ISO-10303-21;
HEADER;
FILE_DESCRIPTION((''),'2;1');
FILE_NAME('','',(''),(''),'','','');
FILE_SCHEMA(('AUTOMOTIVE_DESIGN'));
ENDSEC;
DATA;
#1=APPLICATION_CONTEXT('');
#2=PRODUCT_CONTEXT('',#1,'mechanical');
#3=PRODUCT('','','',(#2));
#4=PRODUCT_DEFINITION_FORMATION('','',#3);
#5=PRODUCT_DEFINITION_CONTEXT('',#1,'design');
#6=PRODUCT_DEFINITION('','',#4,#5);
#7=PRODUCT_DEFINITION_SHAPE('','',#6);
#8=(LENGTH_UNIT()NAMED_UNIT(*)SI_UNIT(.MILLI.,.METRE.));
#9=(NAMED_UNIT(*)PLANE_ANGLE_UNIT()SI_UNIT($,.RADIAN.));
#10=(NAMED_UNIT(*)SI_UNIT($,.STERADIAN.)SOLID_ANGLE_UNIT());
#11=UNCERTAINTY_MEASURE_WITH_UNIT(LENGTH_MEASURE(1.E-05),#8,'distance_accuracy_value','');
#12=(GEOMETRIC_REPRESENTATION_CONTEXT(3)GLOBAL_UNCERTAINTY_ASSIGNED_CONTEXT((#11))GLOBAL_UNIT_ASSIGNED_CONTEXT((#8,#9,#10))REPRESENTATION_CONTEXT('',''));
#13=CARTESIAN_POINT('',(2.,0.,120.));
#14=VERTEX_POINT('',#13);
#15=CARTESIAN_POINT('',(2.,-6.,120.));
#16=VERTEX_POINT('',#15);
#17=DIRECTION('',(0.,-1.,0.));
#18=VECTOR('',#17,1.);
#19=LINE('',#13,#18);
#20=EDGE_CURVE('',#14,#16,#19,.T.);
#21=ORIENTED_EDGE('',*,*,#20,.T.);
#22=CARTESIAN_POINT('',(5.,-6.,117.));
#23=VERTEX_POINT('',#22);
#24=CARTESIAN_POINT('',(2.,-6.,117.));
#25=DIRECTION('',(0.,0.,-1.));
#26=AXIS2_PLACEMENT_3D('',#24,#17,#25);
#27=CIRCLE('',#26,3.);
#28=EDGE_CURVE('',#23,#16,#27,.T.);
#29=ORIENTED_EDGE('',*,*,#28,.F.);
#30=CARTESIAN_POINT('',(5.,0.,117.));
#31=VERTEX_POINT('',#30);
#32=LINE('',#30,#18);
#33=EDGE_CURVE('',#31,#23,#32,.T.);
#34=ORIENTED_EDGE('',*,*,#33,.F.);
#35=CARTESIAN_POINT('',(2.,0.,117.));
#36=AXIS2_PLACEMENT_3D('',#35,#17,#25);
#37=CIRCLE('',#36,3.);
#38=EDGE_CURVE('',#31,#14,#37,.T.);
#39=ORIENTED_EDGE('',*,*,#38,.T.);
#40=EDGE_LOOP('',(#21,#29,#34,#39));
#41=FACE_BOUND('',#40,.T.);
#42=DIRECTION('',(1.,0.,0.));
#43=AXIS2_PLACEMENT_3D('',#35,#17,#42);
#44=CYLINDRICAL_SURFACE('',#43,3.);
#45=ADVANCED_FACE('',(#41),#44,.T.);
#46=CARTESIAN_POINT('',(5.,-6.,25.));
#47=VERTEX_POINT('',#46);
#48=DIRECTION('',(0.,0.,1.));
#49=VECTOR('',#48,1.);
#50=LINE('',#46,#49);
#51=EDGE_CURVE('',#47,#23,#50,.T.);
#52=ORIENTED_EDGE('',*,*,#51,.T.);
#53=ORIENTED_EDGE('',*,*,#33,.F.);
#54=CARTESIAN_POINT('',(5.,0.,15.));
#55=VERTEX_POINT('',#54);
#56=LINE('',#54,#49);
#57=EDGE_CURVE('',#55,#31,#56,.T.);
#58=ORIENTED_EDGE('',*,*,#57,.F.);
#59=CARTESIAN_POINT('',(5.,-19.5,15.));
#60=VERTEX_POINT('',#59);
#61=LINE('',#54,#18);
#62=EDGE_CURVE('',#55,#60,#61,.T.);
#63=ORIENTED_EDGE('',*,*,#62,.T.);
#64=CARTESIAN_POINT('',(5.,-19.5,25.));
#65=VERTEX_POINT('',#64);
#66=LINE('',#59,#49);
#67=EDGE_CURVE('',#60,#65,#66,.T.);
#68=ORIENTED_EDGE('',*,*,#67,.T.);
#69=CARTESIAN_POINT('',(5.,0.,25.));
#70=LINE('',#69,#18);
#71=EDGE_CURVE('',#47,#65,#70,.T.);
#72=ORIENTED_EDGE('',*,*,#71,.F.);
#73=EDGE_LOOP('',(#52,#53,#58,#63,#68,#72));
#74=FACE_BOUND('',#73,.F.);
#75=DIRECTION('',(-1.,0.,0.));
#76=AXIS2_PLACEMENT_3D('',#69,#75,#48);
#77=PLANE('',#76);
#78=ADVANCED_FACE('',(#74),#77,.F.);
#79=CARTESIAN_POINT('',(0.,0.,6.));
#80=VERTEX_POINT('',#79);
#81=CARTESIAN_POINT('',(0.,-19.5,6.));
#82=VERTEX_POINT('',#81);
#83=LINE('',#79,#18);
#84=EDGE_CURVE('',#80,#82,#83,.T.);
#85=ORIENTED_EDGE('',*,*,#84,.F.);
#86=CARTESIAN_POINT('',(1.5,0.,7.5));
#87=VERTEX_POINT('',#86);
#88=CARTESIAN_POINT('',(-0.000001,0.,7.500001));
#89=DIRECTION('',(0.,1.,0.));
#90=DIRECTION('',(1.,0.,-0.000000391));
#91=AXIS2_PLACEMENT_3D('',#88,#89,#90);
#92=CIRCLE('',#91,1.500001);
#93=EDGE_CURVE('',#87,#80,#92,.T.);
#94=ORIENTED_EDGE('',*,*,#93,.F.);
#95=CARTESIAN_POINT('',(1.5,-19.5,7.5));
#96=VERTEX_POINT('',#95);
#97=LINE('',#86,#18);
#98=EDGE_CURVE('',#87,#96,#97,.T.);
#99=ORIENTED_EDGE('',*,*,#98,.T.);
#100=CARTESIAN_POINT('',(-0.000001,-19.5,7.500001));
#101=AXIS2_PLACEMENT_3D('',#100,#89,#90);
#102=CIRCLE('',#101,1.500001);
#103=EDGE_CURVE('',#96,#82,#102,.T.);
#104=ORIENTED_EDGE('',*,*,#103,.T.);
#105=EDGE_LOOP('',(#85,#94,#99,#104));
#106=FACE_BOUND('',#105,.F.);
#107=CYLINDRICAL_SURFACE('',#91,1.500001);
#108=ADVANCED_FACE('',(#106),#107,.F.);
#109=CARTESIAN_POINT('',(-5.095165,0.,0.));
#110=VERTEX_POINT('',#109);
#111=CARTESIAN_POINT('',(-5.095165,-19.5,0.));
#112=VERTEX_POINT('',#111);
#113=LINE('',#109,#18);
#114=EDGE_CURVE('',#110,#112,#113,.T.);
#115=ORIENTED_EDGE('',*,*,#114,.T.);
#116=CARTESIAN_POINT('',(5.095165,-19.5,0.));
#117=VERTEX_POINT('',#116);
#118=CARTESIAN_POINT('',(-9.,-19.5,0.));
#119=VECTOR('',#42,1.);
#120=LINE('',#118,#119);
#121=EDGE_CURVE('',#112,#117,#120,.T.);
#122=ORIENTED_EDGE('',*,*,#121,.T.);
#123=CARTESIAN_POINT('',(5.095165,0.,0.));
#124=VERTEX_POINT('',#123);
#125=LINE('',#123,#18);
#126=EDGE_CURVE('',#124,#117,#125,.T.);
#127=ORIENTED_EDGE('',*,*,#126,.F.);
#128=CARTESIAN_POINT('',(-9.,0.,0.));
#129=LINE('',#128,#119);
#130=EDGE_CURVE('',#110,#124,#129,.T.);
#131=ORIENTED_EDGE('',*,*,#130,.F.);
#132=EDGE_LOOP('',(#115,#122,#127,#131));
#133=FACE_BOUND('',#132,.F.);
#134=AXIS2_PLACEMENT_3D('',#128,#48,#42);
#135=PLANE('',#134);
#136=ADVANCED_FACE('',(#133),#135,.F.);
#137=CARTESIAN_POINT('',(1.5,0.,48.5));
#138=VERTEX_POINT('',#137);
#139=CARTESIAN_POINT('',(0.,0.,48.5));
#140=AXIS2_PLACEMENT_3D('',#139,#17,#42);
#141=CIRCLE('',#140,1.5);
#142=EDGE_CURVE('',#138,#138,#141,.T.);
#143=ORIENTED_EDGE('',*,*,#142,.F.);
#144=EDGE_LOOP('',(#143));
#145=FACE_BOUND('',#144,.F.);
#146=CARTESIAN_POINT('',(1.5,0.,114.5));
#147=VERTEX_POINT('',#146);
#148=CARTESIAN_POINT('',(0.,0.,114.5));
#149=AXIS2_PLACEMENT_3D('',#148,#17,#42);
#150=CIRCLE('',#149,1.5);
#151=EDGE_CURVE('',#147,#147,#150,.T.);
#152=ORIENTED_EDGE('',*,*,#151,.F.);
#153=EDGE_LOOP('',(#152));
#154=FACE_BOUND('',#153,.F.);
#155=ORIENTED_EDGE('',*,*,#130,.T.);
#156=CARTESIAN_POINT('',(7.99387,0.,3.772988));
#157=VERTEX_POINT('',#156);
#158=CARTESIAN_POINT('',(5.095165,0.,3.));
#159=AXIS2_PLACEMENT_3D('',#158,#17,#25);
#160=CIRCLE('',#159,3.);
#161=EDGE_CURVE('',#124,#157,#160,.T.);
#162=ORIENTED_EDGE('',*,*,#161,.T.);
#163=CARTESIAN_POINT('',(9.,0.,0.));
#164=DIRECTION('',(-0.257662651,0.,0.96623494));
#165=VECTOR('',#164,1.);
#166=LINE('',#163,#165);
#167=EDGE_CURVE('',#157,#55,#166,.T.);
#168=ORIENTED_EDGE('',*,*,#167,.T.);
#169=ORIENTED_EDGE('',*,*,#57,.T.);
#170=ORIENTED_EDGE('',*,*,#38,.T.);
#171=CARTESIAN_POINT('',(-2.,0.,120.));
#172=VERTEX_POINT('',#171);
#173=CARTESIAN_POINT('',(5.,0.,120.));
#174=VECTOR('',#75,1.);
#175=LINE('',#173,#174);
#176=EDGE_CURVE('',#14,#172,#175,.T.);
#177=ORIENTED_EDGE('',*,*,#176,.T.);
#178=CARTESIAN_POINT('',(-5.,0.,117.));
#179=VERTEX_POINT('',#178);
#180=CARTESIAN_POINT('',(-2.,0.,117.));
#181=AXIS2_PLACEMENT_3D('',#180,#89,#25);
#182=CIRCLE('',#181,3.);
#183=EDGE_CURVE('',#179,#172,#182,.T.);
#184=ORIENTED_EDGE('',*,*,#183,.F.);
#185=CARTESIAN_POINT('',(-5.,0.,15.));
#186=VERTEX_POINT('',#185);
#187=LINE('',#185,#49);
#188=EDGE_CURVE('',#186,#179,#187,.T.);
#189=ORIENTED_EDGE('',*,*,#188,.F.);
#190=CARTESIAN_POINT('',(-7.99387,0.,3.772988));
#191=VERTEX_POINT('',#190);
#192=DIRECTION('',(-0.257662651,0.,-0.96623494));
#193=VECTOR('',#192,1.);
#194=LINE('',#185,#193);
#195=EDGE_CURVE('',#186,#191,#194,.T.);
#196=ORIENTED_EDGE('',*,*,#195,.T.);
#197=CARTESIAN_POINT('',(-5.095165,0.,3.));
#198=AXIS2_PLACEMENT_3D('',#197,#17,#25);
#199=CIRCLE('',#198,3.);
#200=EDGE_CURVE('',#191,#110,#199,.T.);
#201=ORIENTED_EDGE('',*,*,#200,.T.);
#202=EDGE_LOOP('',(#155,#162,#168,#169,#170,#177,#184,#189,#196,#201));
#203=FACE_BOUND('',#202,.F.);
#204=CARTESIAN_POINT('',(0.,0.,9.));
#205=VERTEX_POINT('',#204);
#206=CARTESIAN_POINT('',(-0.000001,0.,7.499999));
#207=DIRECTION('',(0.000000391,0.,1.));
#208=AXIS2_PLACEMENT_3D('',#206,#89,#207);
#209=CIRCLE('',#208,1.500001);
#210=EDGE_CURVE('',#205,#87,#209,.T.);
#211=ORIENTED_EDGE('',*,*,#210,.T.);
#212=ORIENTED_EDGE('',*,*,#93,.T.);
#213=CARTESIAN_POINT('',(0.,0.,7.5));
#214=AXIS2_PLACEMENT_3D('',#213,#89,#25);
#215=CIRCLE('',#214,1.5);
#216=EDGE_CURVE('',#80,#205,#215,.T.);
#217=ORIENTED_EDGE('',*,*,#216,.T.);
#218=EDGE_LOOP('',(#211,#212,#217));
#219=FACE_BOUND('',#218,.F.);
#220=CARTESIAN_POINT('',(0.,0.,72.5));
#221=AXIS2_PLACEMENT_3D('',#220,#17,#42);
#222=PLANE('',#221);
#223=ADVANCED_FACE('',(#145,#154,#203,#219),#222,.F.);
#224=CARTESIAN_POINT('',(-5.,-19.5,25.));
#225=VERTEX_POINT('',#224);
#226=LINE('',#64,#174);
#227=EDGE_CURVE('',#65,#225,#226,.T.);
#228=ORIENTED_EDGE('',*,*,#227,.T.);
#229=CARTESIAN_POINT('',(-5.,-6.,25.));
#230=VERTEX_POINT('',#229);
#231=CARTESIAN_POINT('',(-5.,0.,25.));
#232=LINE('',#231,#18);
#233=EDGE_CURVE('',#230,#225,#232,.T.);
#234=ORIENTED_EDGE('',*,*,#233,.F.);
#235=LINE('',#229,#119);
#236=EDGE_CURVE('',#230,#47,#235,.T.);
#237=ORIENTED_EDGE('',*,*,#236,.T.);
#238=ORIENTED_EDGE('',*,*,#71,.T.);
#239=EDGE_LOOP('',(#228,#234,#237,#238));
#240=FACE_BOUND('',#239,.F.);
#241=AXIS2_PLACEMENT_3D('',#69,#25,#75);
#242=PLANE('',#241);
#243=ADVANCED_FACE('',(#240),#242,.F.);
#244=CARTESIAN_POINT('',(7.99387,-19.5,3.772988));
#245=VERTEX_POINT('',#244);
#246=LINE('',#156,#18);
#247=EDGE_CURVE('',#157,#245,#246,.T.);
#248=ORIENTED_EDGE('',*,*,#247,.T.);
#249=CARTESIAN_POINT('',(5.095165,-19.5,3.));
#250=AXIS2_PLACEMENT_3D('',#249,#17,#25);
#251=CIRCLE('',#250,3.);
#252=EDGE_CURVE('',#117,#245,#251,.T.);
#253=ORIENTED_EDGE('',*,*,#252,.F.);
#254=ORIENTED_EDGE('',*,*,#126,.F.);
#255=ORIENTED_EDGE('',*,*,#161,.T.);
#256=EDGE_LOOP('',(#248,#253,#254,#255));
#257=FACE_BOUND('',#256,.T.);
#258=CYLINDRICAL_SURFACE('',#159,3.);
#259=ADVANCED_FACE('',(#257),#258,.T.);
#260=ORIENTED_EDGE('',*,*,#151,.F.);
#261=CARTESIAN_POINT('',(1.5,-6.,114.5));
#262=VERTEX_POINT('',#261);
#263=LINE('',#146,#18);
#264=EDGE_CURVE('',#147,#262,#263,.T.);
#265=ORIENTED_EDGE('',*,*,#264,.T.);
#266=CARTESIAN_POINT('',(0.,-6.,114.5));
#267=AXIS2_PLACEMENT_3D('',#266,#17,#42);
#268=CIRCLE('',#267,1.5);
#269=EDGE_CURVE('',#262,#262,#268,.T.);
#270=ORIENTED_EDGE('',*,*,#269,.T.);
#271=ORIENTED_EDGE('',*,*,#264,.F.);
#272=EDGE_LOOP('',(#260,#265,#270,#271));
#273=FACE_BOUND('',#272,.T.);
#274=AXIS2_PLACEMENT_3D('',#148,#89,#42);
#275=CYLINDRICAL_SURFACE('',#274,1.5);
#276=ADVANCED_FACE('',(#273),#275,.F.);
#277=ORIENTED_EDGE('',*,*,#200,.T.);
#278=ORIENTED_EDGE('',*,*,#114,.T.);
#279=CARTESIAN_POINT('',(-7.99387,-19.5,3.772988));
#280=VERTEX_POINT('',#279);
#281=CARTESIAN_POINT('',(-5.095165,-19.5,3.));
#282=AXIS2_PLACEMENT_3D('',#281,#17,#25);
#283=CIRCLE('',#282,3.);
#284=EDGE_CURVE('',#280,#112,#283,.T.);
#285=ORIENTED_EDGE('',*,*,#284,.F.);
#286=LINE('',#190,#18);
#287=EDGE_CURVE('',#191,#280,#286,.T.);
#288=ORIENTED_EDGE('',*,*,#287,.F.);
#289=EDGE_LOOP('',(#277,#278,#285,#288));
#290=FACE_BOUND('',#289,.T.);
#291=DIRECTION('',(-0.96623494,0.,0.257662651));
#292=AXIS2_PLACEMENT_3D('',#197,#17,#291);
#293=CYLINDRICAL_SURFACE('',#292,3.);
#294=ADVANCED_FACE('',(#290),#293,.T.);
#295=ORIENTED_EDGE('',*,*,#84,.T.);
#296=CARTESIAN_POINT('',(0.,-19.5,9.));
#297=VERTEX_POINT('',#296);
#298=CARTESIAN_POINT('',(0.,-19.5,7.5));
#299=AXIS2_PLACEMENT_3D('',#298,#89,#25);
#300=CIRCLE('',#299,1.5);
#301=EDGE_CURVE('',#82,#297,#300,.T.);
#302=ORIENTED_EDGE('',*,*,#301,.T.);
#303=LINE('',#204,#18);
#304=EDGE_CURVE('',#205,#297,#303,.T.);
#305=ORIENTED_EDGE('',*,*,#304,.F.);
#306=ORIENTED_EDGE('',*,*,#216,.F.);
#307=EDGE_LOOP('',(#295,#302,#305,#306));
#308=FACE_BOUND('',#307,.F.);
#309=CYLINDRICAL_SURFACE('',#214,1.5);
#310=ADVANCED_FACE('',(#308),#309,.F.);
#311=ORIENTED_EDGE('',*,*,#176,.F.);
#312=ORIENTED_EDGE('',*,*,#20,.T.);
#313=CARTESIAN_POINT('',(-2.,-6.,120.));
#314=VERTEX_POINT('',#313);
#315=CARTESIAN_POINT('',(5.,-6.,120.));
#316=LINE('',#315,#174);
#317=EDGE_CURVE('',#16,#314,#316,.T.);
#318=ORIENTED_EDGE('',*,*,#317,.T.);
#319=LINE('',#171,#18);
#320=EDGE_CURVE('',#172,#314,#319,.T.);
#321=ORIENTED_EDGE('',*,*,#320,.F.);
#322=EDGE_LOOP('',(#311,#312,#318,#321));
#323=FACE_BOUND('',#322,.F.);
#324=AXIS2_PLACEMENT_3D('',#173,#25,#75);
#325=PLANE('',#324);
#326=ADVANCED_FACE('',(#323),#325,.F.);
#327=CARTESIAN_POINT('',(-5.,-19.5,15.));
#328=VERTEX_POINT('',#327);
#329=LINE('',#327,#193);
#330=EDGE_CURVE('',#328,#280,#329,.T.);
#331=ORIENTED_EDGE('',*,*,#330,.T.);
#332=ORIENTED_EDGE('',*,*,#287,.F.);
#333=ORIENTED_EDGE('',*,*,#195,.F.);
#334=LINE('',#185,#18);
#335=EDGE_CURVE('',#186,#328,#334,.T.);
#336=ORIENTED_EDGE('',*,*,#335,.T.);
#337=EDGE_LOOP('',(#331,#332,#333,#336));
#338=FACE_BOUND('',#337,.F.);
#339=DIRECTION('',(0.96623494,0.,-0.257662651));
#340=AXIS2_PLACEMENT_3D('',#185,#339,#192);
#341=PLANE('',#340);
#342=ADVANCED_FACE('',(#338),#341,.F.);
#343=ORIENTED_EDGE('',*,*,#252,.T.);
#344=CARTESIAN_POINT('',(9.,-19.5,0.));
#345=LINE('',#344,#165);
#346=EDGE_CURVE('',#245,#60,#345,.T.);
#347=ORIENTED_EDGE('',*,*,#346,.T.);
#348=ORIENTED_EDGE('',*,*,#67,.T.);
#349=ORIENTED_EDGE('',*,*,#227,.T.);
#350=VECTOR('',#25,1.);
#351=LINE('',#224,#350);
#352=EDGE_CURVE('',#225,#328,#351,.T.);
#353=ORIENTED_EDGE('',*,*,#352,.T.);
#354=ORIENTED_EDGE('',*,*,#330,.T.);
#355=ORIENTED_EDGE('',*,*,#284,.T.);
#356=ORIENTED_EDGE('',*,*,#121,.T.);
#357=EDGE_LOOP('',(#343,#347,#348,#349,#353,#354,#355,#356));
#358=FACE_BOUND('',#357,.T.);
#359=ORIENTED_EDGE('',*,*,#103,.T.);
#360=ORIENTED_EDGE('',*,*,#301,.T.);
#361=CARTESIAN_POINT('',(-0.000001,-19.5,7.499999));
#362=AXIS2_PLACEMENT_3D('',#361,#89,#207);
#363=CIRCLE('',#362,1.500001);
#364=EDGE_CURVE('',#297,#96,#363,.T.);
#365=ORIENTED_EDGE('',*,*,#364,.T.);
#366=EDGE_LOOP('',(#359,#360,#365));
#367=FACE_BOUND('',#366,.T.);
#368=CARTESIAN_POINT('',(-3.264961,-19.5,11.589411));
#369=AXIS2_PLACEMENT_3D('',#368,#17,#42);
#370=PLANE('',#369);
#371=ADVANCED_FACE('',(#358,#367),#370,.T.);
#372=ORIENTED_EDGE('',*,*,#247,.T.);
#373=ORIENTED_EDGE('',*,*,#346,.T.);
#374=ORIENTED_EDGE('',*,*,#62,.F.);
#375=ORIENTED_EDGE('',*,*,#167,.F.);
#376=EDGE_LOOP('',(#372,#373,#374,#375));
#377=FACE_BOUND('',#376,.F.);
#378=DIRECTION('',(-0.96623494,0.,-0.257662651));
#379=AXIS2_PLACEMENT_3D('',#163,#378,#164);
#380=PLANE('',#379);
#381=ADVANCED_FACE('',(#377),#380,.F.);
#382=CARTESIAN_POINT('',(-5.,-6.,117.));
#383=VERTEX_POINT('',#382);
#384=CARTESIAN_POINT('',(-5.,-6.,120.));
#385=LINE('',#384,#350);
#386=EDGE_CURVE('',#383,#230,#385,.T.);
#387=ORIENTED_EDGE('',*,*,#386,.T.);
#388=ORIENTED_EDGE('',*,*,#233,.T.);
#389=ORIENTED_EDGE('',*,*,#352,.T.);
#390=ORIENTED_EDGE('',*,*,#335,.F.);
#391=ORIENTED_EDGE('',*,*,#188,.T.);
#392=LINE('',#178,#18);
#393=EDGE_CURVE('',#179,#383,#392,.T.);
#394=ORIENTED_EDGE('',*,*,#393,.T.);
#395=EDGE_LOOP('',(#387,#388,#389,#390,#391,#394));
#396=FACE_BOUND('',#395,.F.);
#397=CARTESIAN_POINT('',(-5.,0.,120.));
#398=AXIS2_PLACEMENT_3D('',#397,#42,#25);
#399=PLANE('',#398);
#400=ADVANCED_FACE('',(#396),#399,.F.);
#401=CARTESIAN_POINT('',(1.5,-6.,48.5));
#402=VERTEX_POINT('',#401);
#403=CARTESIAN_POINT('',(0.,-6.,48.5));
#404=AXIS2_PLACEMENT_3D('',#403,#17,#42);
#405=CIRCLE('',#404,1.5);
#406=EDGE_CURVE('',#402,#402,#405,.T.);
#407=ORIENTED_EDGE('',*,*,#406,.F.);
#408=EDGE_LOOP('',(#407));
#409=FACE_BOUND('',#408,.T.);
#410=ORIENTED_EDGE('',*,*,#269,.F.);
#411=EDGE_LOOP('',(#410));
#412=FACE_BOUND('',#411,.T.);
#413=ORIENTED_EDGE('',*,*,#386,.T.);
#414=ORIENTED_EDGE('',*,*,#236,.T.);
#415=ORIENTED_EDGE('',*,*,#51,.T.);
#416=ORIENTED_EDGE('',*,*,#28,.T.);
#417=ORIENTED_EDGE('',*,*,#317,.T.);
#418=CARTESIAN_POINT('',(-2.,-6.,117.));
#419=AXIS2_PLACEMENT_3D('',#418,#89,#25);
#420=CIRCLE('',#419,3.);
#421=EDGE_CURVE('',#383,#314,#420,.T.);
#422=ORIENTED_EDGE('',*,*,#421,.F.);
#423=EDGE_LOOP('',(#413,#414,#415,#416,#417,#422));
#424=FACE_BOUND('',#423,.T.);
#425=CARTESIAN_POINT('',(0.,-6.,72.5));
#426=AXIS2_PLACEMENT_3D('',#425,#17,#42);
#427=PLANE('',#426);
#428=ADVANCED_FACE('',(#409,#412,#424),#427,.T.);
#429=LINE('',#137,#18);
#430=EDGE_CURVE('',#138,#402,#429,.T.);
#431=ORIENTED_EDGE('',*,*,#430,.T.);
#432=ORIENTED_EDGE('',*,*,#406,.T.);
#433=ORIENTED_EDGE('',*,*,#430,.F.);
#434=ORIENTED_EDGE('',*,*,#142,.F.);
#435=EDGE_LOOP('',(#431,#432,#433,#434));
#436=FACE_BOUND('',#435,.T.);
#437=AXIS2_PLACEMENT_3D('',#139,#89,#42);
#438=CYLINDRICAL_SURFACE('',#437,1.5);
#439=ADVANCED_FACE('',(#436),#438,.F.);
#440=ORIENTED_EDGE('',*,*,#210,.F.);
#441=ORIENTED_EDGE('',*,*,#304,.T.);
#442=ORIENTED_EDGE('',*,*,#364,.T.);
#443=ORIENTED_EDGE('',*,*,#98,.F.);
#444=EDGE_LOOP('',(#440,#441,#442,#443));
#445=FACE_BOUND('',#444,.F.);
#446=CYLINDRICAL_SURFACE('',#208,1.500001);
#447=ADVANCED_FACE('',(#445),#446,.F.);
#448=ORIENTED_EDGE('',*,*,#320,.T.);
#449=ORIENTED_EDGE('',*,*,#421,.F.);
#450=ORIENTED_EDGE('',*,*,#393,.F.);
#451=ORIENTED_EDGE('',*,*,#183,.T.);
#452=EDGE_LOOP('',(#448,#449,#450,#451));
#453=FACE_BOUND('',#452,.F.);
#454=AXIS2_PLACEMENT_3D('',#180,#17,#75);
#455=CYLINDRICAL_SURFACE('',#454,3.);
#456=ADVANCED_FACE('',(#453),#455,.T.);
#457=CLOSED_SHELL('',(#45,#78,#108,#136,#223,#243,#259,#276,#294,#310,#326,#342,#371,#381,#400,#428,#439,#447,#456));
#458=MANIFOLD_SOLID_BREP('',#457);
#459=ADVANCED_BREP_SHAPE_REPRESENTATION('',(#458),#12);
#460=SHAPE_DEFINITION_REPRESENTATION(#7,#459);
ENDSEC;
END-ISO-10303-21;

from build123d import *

# Parameters (mm, degrees)
F1_DEPTH = 19.5
F0_R     = 1.5
F2_DEPTH = 6
F3_R     = 3


with BuildPart() as f1:
    # F0 (on Front) → F1 (new body)
    with BuildSketch(Plane.XZ):
        with BuildLine():
            Line((-9, 0), (0, 0))
            Line((0, 0), (0, 6))
            ThreePointArc((0, 6), (-1.5, 7.5), (0, 9))
            Line((0, 9), (0, 25))
            Line((0, 25), (-5, 25))
            Line((-5, 25), (-5, 15))
            Line((-5, 15), (-9, 0))
        make_face()
        with BuildLine():
            Line((0, 6), (0, 0))
            Line((0, 0), (9, 0))
            Line((9, 0), (5, 15))
            Line((5, 15), (5, 25))
            Line((5, 25), (0, 25))
            Line((0, 25), (0, 9))
            ThreePointArc((0, 9), (1.06066, 8.56066), (1.5, 7.5))
            ThreePointArc((1.5, 7.5), (1.06066, 6.43934), (0, 6))
        make_face()
    extrude(amount=F1_DEPTH)

    # F0 (on Front) → F2 (join)
    with BuildSketch(Plane.XZ):
        Polygon((0, 25), (5, 25), (5, 120), (-5, 120), (-5, 25), align=None)
        with Locations((0, 48.5)):
            Circle(F0_R, mode=Mode.SUBTRACT)
        with Locations((0, 114.5)):
            Circle(F0_R, mode=Mode.SUBTRACT)
    extrude(amount=F2_DEPTH)

    # F3
    f3_edges = [f1.edges().sort_by_distance(p)[0] for p in [
        (5, -3, 120),
        (-5, -3, 120),
        (9, -9.75, 0),
        (-9, -9.75, 0),
    ]]
    fillet(f3_edges, radius=F3_R)


solid = f1.part
